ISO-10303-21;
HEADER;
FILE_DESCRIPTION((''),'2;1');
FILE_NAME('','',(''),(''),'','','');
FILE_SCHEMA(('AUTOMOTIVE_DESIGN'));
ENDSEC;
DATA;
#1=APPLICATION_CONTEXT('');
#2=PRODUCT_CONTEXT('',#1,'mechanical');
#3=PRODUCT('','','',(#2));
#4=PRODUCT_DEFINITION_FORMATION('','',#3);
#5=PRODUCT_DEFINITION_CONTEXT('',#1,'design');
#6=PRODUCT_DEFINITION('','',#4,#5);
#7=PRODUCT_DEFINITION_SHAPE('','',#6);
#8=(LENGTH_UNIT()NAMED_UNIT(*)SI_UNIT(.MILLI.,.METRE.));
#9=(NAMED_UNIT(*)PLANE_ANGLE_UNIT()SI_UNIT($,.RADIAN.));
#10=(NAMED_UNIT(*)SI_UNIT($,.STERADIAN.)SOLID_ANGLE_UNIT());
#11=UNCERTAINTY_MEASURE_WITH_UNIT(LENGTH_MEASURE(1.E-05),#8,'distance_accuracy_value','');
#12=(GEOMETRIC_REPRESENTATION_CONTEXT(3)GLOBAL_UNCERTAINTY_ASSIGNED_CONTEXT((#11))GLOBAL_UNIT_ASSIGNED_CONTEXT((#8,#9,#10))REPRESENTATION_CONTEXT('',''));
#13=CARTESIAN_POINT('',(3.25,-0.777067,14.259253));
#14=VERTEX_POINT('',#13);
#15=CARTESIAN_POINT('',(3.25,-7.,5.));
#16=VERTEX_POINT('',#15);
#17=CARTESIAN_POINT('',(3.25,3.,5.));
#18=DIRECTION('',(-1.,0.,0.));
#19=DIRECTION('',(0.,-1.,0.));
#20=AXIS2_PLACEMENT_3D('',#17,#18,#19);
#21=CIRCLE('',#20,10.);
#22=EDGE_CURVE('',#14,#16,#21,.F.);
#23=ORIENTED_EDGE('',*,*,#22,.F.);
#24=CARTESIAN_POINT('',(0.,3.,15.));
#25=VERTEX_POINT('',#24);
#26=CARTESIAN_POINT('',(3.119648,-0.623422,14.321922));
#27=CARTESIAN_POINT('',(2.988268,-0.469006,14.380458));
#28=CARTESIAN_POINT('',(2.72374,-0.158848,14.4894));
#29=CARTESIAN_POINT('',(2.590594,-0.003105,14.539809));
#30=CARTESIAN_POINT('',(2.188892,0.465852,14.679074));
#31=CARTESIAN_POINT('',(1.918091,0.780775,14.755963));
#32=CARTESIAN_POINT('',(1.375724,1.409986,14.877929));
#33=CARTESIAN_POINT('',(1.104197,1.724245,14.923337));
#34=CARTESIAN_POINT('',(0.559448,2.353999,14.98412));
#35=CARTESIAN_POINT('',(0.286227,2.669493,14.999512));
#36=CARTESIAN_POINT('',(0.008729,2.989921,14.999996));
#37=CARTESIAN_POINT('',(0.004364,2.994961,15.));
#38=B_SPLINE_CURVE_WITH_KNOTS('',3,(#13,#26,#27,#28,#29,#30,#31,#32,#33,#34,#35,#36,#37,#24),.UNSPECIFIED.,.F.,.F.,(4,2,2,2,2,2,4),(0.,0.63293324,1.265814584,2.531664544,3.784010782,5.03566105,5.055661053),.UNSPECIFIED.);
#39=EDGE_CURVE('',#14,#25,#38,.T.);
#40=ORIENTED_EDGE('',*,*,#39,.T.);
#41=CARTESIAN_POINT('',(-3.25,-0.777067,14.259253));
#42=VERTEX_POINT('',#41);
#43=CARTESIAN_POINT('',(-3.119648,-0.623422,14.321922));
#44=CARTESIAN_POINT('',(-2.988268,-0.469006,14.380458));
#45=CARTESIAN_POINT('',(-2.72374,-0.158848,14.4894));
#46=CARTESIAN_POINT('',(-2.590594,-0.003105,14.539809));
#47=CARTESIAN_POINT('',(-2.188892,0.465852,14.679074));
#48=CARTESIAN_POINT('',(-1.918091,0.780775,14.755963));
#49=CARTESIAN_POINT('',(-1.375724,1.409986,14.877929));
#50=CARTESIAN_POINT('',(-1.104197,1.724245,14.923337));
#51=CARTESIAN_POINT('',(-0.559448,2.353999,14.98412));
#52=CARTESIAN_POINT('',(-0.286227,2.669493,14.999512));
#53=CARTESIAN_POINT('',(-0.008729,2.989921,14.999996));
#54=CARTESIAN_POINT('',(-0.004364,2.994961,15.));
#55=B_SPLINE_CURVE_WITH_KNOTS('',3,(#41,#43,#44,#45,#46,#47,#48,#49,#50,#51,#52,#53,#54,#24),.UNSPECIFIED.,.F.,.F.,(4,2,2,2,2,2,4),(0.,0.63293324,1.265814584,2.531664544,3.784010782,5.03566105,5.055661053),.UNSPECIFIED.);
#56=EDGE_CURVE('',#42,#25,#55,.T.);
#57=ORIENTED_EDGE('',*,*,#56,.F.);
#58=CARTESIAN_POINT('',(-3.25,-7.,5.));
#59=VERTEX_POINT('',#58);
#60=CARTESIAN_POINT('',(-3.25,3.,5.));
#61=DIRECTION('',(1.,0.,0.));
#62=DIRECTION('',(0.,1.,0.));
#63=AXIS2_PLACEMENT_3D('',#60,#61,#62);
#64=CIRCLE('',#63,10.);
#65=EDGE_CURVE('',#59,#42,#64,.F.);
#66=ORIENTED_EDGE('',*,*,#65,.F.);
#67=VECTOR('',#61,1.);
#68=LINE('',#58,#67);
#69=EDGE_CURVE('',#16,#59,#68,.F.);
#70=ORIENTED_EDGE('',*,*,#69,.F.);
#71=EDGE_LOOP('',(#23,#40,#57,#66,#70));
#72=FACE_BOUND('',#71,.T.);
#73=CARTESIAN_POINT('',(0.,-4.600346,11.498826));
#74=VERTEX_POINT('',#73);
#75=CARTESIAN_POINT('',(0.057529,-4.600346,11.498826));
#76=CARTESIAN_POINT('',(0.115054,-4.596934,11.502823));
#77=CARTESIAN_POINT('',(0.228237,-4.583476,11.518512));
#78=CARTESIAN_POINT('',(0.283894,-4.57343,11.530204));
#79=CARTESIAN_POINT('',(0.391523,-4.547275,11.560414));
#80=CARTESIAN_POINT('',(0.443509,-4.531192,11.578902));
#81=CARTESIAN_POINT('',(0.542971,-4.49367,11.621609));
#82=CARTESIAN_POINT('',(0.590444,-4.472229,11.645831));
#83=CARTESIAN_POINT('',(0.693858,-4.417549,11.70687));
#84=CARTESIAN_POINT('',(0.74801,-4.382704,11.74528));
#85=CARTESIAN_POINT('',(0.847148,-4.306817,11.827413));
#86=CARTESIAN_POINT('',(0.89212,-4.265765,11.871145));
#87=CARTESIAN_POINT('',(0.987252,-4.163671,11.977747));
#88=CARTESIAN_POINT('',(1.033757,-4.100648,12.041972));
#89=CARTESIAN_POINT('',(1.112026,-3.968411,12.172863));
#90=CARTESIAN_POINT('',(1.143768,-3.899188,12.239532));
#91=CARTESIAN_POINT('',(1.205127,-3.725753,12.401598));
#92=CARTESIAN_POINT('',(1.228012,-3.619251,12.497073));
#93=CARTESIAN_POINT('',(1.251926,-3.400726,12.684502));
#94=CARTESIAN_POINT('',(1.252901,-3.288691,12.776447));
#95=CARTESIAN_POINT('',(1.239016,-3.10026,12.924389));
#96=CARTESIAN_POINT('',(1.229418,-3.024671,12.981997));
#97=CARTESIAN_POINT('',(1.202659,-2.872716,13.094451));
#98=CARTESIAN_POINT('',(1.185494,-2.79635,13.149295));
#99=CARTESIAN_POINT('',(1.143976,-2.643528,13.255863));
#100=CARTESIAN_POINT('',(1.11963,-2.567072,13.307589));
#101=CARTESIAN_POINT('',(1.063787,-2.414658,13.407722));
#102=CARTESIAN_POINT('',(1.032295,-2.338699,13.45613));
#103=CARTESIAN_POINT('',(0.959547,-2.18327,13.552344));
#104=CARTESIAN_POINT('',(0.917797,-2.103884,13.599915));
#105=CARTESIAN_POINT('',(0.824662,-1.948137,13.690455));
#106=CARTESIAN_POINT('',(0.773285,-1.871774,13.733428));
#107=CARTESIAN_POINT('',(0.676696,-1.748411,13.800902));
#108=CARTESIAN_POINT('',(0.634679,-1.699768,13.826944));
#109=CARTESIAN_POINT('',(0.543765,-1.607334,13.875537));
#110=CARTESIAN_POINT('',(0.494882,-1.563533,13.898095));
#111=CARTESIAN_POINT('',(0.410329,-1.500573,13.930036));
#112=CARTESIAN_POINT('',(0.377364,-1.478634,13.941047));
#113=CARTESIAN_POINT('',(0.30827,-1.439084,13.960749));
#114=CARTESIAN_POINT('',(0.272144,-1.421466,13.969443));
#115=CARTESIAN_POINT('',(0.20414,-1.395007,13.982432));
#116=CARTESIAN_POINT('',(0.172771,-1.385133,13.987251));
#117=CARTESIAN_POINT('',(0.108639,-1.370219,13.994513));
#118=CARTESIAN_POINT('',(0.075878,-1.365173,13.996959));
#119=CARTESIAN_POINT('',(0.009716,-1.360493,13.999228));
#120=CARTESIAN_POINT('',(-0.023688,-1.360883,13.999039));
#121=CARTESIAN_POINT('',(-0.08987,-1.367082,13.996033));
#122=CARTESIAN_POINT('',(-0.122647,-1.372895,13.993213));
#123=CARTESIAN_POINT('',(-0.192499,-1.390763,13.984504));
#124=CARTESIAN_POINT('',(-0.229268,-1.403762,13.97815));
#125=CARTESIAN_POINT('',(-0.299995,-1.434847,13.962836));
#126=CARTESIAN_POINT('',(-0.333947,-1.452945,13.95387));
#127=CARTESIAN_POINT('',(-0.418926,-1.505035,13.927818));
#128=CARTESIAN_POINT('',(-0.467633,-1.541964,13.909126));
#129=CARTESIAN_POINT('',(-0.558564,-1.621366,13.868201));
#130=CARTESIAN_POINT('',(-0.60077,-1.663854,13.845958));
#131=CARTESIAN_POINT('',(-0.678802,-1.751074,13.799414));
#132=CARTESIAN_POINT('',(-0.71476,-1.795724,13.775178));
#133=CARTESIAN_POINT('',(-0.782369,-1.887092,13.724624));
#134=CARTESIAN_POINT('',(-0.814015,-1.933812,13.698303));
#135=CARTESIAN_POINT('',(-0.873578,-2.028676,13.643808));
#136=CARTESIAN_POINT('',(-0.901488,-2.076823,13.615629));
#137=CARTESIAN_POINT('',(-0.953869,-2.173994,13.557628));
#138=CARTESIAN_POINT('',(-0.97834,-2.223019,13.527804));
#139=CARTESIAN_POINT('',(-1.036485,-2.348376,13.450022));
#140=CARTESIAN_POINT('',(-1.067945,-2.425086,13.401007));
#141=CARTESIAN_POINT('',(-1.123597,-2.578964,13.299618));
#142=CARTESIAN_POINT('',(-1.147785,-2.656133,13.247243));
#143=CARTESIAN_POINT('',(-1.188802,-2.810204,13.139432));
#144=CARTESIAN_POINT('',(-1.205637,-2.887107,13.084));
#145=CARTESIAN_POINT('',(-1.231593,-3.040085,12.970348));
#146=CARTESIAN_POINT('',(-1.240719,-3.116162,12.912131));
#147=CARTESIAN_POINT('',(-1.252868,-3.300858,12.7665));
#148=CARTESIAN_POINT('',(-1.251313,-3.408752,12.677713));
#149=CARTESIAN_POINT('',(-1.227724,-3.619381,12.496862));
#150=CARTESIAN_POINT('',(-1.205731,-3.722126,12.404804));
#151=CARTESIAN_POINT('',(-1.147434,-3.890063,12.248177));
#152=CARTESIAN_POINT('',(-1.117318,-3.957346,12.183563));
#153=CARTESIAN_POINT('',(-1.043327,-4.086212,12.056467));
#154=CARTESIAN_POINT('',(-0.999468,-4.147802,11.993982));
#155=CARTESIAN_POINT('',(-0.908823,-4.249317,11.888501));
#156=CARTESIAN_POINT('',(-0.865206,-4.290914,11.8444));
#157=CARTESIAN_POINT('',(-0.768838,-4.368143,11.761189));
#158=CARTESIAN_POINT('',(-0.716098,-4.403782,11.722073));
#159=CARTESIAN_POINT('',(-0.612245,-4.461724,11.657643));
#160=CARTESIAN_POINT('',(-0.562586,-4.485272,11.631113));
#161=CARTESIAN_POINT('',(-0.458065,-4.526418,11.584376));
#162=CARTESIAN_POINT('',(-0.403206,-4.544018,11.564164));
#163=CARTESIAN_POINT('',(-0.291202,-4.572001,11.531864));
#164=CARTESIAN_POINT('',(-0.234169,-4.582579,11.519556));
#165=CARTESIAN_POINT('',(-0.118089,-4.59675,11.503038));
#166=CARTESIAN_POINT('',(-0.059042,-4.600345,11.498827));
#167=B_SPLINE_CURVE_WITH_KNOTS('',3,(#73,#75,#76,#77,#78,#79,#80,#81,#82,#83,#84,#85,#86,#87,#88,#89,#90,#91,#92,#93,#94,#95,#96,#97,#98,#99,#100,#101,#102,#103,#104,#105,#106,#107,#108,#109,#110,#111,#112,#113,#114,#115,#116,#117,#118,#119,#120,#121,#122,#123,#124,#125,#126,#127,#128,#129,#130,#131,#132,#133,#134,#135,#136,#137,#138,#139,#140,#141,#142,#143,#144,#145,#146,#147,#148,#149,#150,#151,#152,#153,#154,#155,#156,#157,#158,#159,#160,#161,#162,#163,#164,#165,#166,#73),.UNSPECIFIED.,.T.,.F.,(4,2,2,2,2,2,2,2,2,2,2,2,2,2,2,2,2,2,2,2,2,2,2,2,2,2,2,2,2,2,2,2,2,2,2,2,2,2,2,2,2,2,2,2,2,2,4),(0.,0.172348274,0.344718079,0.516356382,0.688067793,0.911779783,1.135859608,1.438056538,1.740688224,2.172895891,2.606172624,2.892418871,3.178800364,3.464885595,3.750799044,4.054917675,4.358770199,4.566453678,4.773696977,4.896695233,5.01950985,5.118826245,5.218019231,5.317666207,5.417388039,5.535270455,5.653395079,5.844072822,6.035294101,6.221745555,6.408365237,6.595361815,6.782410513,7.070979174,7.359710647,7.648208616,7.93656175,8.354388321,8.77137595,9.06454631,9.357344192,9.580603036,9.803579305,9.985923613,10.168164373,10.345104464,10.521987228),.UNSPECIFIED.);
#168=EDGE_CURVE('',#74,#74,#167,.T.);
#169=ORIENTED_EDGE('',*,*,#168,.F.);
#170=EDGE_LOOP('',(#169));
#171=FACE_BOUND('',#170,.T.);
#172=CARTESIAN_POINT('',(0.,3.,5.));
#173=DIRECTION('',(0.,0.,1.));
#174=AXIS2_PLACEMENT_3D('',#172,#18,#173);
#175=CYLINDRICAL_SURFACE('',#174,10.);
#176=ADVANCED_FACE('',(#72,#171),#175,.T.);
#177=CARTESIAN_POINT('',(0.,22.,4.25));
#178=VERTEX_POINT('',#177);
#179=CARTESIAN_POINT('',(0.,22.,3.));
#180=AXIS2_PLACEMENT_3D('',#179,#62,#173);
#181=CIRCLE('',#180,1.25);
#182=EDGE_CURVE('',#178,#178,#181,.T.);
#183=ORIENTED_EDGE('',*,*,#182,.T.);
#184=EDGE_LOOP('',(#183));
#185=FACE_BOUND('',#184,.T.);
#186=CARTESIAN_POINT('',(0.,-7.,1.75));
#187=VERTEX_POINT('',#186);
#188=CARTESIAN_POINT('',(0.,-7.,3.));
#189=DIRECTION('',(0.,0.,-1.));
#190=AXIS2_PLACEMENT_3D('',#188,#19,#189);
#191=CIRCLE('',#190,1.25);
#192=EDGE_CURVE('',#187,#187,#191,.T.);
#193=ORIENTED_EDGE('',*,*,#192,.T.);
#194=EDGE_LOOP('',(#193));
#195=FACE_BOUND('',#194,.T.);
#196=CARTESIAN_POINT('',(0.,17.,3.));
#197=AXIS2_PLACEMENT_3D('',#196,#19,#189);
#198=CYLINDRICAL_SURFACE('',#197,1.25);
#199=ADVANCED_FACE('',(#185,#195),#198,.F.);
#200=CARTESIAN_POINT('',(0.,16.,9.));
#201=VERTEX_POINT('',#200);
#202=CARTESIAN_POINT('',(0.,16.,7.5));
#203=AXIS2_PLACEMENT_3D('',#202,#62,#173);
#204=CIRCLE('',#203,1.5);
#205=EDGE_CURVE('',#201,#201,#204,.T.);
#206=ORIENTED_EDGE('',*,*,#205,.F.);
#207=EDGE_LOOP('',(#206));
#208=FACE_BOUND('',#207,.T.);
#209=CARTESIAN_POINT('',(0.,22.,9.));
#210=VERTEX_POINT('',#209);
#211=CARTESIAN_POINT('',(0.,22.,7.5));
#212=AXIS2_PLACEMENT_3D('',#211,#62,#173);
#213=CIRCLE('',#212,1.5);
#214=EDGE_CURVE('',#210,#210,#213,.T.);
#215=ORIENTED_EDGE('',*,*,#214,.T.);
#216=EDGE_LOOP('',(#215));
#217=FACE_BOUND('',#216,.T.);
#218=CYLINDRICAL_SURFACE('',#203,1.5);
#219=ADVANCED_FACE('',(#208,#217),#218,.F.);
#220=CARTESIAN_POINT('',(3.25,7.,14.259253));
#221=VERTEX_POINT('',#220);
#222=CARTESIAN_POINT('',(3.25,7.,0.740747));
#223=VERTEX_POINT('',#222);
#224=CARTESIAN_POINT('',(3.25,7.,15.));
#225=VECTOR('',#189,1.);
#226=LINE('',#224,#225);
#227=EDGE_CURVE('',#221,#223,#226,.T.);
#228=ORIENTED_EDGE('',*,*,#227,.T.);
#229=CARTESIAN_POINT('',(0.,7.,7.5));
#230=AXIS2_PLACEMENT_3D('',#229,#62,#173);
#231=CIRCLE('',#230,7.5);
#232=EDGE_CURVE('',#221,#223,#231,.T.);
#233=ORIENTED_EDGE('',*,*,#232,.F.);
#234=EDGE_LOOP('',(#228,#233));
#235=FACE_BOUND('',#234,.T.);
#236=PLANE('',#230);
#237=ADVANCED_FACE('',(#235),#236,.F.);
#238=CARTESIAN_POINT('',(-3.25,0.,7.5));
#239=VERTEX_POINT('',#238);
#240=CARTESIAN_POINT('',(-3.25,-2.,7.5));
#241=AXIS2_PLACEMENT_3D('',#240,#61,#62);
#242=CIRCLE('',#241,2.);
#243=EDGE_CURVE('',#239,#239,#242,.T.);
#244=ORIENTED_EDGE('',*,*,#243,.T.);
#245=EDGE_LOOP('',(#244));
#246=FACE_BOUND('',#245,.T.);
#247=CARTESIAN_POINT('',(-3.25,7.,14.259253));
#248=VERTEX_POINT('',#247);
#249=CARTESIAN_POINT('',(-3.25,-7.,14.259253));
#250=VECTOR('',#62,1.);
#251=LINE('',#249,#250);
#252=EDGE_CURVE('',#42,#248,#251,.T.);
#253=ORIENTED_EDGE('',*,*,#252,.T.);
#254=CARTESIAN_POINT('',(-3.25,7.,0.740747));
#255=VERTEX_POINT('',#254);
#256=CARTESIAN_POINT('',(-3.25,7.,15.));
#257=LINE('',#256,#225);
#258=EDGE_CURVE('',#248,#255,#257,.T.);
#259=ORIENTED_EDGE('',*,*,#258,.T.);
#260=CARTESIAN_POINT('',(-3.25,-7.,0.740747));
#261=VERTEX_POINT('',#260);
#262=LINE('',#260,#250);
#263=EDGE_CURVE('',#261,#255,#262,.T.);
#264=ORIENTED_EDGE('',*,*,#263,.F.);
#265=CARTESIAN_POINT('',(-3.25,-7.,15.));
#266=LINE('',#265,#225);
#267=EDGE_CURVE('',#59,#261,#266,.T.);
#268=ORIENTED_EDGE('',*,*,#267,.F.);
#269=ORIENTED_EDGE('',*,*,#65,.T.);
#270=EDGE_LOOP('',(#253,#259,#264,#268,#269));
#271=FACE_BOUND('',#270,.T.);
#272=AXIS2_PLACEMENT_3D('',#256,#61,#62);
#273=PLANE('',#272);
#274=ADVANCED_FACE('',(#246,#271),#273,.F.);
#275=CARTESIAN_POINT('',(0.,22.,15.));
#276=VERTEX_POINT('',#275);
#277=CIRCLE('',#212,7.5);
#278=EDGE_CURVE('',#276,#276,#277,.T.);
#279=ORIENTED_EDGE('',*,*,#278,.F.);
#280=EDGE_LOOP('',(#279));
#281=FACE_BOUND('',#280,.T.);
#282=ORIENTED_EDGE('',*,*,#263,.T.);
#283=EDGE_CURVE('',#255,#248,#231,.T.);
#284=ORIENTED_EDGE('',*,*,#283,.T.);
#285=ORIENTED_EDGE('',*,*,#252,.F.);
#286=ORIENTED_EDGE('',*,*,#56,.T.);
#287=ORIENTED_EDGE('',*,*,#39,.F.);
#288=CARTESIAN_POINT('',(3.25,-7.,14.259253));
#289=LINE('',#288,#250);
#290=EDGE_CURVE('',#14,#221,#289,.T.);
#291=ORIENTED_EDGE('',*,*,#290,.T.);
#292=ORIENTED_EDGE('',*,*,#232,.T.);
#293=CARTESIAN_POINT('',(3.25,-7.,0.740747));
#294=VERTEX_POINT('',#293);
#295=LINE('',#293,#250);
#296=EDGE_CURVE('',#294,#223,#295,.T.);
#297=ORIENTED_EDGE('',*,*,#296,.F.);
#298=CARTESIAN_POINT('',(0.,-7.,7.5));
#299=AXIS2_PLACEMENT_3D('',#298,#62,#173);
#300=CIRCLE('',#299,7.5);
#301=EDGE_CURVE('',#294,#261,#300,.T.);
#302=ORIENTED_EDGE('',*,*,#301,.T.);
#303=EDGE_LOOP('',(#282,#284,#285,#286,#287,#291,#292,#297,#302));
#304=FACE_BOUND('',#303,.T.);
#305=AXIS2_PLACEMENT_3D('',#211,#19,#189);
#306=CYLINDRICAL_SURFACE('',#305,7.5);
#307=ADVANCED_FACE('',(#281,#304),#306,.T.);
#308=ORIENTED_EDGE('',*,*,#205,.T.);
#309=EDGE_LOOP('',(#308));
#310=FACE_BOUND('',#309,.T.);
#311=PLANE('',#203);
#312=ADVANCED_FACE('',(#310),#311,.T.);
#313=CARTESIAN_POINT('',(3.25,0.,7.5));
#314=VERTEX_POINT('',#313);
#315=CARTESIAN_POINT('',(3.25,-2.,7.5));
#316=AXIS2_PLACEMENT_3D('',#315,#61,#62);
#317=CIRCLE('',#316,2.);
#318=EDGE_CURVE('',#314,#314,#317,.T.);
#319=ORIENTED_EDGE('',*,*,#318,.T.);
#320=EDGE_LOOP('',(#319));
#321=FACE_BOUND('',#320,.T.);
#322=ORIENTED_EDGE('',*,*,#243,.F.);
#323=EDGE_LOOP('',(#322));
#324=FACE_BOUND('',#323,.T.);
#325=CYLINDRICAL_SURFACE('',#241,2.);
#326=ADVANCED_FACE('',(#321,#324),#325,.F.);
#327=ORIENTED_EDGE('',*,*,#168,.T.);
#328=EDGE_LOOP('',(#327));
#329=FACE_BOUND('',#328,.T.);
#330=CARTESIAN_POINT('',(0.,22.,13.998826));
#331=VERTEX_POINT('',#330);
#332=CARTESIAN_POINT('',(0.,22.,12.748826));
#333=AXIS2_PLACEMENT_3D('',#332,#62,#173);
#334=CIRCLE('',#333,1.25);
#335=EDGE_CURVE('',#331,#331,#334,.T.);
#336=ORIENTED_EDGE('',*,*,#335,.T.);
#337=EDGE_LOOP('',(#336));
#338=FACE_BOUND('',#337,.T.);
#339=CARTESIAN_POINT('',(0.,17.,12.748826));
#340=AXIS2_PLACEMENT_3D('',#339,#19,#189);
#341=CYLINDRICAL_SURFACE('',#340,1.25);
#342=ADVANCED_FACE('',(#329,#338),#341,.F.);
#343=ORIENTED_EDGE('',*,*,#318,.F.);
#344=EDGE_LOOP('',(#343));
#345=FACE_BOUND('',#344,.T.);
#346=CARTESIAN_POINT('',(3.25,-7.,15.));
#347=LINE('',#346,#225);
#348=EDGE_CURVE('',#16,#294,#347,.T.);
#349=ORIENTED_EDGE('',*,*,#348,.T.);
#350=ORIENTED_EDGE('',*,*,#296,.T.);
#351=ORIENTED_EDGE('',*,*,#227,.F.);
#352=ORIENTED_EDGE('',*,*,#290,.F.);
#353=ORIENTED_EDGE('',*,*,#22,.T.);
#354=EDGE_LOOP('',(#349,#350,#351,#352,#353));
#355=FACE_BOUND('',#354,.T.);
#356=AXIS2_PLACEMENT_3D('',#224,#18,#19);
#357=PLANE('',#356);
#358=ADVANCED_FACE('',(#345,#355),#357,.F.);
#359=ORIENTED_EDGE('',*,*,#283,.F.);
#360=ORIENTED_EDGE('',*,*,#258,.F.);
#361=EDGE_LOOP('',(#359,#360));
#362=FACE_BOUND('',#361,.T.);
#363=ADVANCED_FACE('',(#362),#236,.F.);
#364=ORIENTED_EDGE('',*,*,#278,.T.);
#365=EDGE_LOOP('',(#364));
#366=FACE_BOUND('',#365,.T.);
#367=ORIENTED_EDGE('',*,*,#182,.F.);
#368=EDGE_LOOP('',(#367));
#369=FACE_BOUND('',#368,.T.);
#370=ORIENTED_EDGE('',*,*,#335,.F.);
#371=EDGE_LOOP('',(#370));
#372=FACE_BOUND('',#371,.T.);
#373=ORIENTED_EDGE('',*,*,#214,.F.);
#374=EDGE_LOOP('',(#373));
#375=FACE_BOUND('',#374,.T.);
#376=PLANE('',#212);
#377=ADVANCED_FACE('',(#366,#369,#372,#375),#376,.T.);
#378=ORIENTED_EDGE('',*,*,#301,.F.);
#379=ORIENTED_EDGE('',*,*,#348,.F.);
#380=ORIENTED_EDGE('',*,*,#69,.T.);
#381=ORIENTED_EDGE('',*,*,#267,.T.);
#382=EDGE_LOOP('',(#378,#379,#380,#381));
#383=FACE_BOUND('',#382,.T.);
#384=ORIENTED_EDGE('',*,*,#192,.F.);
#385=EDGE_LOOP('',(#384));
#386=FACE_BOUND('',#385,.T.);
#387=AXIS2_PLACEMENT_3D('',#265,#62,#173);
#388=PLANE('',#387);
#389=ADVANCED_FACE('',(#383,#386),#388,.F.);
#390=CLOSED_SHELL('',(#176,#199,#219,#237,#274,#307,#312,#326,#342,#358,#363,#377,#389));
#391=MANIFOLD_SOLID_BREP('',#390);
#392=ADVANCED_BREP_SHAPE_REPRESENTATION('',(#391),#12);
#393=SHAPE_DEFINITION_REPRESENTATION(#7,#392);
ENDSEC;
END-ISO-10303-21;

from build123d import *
from build123d.topology import SkipClean

# Parameters (mm, degrees)
SKETCH1_W           = 6.5
SKETCH1_H           = 14
BOSS_EXTRUDE1_DEPTH = 15
FILLET1_R           = 10
SKETCH2_R           = 2
CUT_EXTRUDE1_DEPTH  = 18.783419244
SKETCH4_R           = 7.5
BOSS_EXTRUDE2_DEPTH = 15
SKETCH6_W           = 7
SKETCH6_H           = 12.68
CUT_EXTRUDE2_DEPTH  = 28.663152387
CUT_EXTRUDE3_DEPTH  = 23.5
SKETCH11_R          = 1.25
CUT_EXTRUDE7_DEPTH  = 24
BOSS_EXTRUDE3_START = 12.68
SKETCH12_R          = 1.25
BOSS_EXTRUDE3_DEPTH = 12.68
SKETCH13_R          = 1.5
CUT_EXTRUDE8_DEPTH  = 6


with BuildPart() as part:
    # Sketch1 → Boss-Extrude1 (new body)
    with BuildSketch(Plane.XY):
        Rectangle(SKETCH1_W, SKETCH1_H)
    extrude(amount=BOSS_EXTRUDE1_DEPTH)

    # Fillet1
    fillet1_edges = [part.edges().sort_by_distance(p)[0] for p in [
        (0, -7, 15),
    ]]
    fillet(fillet1_edges, radius=FILLET1_R)

    # Sketch2 → Cut-Extrude1 (cut, through all)
    with BuildSketch(Plane(origin=(3.25, 0, 0), x_dir=(0, 0, -1), z_dir=(1, 0, 0))):
        with Locations(Location((-7.5, -2, 0), (0, 0, 90))):
            Circle(SKETCH2_R)
    extrude(amount=-CUT_EXTRUDE1_DEPTH, mode=Mode.SUBTRACT)

    # Sketch4 → Boss-Extrude2 (add)
    with BuildSketch(Plane(origin=(0, 7, 0), x_dir=(1, 0, 0), z_dir=(0, 1, 0))):
        with Locations(Location((0, -7.5, 0), (0, 0, 270))):
            Circle(SKETCH4_R)
    extrude(amount=BOSS_EXTRUDE2_DEPTH)

    # Sketch6 → Cut-Extrude2 (cut, through all)
    with BuildSketch(Plane(origin=(0, 0, 0), x_dir=(-1, 0, 0), z_dir=(0, 0, -1))):
        with Locations((0, 15.66)):
            Rectangle(SKETCH6_W, SKETCH6_H)
    extrude(amount=-CUT_EXTRUDE2_DEPTH, mode=Mode.SUBTRACT)

    # Sketch7 → Cut-Extrude3 (cut, through all)
    with BuildSketch(Plane(origin=(0, 7, 0), x_dir=(1, 0, 0), z_dir=(0, 1, 0))):
        with BuildLine():
            ThreePointArc((0, -15), (-1.666673801, -14.812468697), (-3.25, -14.259252917))
            Line((-3.25, -14.259252917), (-3.25, -15))
            Line((-3.25, -15), (0, -15))
        make_face()
        with BuildLine():
            ThreePointArc((3.25, -14.259252917), (1.666673801, -14.812468697), (0, -15))
            Line((0, -15), (3.25, -15))
            Line((3.25, -15), (3.25, -14.259252917))
        make_face()
        with BuildLine():
            ThreePointArc((-3.25, -0.740747083), (-1.666673801, -0.187531303), (0, 0))
            Line((0, 0), (-3.25, 0))
            Line((-3.25, 0), (-3.25, -0.740747083))
        make_face()
        with BuildLine():
            Line((3.25, 0), (0, 0))
            ThreePointArc((0, 0), (1.666673801, -0.187531303), (3.25, -0.740747083))
            Line((3.25, -0.740747083), (3.25, 0))
        make_face()
    extrude(amount=-CUT_EXTRUDE3_DEPTH, mode=Mode.SUBTRACT)

    # Sketch11 → Cut-Extrude7 (cut)
    with BuildSketch(Plane.XZ.offset(7)):
        with Locations(Location((0, 12.74882624, 0), (0, 0, 270))):
            Circle(SKETCH11_R)
        with Locations(Location((0, 3, 0), (0, 0, 270))):
            Circle(SKETCH11_R)
    extrude(amount=-CUT_EXTRUDE7_DEPTH, mode=Mode.SUBTRACT)

    # Sketch12 → Boss-Extrude3 (add)
    with SkipClean():  # the faces are left unmerged after this step: merging them gives an invalid solid
        with BuildSketch(Plane(origin=(0, 9.32, 0), x_dir=(1, 0, 0), z_dir=(0, 1, 0)).offset(BOSS_EXTRUDE3_START)):
            with BuildLine():
                Line((3.5, -14.133249581), (3.5, -0.866750419))
                ThreePointArc((3.5, -0.866750419), (0, 0), (-3.5, -0.866750419))
                Line((-3.5, -0.866750419), (-3.5, -14.133249581))
                ThreePointArc((-3.5, -14.133249581), (0, -15), (3.5, -14.133249581))
            make_face()
            with Locations(Location((0, -3, 0), (0, 0, 90))):
                Circle(SKETCH12_R, mode=Mode.SUBTRACT)
            with Locations(Location((0, -12.74882624, 0), (0, 0, 90))):
                Circle(SKETCH12_R, mode=Mode.SUBTRACT)
        extrude(amount=-BOSS_EXTRUDE3_DEPTH)

    # Sketch13 → Cut-Extrude8 (cut)
    with SkipClean():  # the faces are left unmerged after this step: merging them gives an invalid solid
        with BuildSketch(Plane(origin=(0, 22, 0), x_dir=(1, 0, 0), z_dir=(0, 1, 0))):
            with Locations(Location((0, -7.5, 0), (0, 0, 270))):
                Circle(SKETCH13_R)
        extrude(amount=-CUT_EXTRUDE8_DEPTH, mode=Mode.SUBTRACT)


solid = part.part
